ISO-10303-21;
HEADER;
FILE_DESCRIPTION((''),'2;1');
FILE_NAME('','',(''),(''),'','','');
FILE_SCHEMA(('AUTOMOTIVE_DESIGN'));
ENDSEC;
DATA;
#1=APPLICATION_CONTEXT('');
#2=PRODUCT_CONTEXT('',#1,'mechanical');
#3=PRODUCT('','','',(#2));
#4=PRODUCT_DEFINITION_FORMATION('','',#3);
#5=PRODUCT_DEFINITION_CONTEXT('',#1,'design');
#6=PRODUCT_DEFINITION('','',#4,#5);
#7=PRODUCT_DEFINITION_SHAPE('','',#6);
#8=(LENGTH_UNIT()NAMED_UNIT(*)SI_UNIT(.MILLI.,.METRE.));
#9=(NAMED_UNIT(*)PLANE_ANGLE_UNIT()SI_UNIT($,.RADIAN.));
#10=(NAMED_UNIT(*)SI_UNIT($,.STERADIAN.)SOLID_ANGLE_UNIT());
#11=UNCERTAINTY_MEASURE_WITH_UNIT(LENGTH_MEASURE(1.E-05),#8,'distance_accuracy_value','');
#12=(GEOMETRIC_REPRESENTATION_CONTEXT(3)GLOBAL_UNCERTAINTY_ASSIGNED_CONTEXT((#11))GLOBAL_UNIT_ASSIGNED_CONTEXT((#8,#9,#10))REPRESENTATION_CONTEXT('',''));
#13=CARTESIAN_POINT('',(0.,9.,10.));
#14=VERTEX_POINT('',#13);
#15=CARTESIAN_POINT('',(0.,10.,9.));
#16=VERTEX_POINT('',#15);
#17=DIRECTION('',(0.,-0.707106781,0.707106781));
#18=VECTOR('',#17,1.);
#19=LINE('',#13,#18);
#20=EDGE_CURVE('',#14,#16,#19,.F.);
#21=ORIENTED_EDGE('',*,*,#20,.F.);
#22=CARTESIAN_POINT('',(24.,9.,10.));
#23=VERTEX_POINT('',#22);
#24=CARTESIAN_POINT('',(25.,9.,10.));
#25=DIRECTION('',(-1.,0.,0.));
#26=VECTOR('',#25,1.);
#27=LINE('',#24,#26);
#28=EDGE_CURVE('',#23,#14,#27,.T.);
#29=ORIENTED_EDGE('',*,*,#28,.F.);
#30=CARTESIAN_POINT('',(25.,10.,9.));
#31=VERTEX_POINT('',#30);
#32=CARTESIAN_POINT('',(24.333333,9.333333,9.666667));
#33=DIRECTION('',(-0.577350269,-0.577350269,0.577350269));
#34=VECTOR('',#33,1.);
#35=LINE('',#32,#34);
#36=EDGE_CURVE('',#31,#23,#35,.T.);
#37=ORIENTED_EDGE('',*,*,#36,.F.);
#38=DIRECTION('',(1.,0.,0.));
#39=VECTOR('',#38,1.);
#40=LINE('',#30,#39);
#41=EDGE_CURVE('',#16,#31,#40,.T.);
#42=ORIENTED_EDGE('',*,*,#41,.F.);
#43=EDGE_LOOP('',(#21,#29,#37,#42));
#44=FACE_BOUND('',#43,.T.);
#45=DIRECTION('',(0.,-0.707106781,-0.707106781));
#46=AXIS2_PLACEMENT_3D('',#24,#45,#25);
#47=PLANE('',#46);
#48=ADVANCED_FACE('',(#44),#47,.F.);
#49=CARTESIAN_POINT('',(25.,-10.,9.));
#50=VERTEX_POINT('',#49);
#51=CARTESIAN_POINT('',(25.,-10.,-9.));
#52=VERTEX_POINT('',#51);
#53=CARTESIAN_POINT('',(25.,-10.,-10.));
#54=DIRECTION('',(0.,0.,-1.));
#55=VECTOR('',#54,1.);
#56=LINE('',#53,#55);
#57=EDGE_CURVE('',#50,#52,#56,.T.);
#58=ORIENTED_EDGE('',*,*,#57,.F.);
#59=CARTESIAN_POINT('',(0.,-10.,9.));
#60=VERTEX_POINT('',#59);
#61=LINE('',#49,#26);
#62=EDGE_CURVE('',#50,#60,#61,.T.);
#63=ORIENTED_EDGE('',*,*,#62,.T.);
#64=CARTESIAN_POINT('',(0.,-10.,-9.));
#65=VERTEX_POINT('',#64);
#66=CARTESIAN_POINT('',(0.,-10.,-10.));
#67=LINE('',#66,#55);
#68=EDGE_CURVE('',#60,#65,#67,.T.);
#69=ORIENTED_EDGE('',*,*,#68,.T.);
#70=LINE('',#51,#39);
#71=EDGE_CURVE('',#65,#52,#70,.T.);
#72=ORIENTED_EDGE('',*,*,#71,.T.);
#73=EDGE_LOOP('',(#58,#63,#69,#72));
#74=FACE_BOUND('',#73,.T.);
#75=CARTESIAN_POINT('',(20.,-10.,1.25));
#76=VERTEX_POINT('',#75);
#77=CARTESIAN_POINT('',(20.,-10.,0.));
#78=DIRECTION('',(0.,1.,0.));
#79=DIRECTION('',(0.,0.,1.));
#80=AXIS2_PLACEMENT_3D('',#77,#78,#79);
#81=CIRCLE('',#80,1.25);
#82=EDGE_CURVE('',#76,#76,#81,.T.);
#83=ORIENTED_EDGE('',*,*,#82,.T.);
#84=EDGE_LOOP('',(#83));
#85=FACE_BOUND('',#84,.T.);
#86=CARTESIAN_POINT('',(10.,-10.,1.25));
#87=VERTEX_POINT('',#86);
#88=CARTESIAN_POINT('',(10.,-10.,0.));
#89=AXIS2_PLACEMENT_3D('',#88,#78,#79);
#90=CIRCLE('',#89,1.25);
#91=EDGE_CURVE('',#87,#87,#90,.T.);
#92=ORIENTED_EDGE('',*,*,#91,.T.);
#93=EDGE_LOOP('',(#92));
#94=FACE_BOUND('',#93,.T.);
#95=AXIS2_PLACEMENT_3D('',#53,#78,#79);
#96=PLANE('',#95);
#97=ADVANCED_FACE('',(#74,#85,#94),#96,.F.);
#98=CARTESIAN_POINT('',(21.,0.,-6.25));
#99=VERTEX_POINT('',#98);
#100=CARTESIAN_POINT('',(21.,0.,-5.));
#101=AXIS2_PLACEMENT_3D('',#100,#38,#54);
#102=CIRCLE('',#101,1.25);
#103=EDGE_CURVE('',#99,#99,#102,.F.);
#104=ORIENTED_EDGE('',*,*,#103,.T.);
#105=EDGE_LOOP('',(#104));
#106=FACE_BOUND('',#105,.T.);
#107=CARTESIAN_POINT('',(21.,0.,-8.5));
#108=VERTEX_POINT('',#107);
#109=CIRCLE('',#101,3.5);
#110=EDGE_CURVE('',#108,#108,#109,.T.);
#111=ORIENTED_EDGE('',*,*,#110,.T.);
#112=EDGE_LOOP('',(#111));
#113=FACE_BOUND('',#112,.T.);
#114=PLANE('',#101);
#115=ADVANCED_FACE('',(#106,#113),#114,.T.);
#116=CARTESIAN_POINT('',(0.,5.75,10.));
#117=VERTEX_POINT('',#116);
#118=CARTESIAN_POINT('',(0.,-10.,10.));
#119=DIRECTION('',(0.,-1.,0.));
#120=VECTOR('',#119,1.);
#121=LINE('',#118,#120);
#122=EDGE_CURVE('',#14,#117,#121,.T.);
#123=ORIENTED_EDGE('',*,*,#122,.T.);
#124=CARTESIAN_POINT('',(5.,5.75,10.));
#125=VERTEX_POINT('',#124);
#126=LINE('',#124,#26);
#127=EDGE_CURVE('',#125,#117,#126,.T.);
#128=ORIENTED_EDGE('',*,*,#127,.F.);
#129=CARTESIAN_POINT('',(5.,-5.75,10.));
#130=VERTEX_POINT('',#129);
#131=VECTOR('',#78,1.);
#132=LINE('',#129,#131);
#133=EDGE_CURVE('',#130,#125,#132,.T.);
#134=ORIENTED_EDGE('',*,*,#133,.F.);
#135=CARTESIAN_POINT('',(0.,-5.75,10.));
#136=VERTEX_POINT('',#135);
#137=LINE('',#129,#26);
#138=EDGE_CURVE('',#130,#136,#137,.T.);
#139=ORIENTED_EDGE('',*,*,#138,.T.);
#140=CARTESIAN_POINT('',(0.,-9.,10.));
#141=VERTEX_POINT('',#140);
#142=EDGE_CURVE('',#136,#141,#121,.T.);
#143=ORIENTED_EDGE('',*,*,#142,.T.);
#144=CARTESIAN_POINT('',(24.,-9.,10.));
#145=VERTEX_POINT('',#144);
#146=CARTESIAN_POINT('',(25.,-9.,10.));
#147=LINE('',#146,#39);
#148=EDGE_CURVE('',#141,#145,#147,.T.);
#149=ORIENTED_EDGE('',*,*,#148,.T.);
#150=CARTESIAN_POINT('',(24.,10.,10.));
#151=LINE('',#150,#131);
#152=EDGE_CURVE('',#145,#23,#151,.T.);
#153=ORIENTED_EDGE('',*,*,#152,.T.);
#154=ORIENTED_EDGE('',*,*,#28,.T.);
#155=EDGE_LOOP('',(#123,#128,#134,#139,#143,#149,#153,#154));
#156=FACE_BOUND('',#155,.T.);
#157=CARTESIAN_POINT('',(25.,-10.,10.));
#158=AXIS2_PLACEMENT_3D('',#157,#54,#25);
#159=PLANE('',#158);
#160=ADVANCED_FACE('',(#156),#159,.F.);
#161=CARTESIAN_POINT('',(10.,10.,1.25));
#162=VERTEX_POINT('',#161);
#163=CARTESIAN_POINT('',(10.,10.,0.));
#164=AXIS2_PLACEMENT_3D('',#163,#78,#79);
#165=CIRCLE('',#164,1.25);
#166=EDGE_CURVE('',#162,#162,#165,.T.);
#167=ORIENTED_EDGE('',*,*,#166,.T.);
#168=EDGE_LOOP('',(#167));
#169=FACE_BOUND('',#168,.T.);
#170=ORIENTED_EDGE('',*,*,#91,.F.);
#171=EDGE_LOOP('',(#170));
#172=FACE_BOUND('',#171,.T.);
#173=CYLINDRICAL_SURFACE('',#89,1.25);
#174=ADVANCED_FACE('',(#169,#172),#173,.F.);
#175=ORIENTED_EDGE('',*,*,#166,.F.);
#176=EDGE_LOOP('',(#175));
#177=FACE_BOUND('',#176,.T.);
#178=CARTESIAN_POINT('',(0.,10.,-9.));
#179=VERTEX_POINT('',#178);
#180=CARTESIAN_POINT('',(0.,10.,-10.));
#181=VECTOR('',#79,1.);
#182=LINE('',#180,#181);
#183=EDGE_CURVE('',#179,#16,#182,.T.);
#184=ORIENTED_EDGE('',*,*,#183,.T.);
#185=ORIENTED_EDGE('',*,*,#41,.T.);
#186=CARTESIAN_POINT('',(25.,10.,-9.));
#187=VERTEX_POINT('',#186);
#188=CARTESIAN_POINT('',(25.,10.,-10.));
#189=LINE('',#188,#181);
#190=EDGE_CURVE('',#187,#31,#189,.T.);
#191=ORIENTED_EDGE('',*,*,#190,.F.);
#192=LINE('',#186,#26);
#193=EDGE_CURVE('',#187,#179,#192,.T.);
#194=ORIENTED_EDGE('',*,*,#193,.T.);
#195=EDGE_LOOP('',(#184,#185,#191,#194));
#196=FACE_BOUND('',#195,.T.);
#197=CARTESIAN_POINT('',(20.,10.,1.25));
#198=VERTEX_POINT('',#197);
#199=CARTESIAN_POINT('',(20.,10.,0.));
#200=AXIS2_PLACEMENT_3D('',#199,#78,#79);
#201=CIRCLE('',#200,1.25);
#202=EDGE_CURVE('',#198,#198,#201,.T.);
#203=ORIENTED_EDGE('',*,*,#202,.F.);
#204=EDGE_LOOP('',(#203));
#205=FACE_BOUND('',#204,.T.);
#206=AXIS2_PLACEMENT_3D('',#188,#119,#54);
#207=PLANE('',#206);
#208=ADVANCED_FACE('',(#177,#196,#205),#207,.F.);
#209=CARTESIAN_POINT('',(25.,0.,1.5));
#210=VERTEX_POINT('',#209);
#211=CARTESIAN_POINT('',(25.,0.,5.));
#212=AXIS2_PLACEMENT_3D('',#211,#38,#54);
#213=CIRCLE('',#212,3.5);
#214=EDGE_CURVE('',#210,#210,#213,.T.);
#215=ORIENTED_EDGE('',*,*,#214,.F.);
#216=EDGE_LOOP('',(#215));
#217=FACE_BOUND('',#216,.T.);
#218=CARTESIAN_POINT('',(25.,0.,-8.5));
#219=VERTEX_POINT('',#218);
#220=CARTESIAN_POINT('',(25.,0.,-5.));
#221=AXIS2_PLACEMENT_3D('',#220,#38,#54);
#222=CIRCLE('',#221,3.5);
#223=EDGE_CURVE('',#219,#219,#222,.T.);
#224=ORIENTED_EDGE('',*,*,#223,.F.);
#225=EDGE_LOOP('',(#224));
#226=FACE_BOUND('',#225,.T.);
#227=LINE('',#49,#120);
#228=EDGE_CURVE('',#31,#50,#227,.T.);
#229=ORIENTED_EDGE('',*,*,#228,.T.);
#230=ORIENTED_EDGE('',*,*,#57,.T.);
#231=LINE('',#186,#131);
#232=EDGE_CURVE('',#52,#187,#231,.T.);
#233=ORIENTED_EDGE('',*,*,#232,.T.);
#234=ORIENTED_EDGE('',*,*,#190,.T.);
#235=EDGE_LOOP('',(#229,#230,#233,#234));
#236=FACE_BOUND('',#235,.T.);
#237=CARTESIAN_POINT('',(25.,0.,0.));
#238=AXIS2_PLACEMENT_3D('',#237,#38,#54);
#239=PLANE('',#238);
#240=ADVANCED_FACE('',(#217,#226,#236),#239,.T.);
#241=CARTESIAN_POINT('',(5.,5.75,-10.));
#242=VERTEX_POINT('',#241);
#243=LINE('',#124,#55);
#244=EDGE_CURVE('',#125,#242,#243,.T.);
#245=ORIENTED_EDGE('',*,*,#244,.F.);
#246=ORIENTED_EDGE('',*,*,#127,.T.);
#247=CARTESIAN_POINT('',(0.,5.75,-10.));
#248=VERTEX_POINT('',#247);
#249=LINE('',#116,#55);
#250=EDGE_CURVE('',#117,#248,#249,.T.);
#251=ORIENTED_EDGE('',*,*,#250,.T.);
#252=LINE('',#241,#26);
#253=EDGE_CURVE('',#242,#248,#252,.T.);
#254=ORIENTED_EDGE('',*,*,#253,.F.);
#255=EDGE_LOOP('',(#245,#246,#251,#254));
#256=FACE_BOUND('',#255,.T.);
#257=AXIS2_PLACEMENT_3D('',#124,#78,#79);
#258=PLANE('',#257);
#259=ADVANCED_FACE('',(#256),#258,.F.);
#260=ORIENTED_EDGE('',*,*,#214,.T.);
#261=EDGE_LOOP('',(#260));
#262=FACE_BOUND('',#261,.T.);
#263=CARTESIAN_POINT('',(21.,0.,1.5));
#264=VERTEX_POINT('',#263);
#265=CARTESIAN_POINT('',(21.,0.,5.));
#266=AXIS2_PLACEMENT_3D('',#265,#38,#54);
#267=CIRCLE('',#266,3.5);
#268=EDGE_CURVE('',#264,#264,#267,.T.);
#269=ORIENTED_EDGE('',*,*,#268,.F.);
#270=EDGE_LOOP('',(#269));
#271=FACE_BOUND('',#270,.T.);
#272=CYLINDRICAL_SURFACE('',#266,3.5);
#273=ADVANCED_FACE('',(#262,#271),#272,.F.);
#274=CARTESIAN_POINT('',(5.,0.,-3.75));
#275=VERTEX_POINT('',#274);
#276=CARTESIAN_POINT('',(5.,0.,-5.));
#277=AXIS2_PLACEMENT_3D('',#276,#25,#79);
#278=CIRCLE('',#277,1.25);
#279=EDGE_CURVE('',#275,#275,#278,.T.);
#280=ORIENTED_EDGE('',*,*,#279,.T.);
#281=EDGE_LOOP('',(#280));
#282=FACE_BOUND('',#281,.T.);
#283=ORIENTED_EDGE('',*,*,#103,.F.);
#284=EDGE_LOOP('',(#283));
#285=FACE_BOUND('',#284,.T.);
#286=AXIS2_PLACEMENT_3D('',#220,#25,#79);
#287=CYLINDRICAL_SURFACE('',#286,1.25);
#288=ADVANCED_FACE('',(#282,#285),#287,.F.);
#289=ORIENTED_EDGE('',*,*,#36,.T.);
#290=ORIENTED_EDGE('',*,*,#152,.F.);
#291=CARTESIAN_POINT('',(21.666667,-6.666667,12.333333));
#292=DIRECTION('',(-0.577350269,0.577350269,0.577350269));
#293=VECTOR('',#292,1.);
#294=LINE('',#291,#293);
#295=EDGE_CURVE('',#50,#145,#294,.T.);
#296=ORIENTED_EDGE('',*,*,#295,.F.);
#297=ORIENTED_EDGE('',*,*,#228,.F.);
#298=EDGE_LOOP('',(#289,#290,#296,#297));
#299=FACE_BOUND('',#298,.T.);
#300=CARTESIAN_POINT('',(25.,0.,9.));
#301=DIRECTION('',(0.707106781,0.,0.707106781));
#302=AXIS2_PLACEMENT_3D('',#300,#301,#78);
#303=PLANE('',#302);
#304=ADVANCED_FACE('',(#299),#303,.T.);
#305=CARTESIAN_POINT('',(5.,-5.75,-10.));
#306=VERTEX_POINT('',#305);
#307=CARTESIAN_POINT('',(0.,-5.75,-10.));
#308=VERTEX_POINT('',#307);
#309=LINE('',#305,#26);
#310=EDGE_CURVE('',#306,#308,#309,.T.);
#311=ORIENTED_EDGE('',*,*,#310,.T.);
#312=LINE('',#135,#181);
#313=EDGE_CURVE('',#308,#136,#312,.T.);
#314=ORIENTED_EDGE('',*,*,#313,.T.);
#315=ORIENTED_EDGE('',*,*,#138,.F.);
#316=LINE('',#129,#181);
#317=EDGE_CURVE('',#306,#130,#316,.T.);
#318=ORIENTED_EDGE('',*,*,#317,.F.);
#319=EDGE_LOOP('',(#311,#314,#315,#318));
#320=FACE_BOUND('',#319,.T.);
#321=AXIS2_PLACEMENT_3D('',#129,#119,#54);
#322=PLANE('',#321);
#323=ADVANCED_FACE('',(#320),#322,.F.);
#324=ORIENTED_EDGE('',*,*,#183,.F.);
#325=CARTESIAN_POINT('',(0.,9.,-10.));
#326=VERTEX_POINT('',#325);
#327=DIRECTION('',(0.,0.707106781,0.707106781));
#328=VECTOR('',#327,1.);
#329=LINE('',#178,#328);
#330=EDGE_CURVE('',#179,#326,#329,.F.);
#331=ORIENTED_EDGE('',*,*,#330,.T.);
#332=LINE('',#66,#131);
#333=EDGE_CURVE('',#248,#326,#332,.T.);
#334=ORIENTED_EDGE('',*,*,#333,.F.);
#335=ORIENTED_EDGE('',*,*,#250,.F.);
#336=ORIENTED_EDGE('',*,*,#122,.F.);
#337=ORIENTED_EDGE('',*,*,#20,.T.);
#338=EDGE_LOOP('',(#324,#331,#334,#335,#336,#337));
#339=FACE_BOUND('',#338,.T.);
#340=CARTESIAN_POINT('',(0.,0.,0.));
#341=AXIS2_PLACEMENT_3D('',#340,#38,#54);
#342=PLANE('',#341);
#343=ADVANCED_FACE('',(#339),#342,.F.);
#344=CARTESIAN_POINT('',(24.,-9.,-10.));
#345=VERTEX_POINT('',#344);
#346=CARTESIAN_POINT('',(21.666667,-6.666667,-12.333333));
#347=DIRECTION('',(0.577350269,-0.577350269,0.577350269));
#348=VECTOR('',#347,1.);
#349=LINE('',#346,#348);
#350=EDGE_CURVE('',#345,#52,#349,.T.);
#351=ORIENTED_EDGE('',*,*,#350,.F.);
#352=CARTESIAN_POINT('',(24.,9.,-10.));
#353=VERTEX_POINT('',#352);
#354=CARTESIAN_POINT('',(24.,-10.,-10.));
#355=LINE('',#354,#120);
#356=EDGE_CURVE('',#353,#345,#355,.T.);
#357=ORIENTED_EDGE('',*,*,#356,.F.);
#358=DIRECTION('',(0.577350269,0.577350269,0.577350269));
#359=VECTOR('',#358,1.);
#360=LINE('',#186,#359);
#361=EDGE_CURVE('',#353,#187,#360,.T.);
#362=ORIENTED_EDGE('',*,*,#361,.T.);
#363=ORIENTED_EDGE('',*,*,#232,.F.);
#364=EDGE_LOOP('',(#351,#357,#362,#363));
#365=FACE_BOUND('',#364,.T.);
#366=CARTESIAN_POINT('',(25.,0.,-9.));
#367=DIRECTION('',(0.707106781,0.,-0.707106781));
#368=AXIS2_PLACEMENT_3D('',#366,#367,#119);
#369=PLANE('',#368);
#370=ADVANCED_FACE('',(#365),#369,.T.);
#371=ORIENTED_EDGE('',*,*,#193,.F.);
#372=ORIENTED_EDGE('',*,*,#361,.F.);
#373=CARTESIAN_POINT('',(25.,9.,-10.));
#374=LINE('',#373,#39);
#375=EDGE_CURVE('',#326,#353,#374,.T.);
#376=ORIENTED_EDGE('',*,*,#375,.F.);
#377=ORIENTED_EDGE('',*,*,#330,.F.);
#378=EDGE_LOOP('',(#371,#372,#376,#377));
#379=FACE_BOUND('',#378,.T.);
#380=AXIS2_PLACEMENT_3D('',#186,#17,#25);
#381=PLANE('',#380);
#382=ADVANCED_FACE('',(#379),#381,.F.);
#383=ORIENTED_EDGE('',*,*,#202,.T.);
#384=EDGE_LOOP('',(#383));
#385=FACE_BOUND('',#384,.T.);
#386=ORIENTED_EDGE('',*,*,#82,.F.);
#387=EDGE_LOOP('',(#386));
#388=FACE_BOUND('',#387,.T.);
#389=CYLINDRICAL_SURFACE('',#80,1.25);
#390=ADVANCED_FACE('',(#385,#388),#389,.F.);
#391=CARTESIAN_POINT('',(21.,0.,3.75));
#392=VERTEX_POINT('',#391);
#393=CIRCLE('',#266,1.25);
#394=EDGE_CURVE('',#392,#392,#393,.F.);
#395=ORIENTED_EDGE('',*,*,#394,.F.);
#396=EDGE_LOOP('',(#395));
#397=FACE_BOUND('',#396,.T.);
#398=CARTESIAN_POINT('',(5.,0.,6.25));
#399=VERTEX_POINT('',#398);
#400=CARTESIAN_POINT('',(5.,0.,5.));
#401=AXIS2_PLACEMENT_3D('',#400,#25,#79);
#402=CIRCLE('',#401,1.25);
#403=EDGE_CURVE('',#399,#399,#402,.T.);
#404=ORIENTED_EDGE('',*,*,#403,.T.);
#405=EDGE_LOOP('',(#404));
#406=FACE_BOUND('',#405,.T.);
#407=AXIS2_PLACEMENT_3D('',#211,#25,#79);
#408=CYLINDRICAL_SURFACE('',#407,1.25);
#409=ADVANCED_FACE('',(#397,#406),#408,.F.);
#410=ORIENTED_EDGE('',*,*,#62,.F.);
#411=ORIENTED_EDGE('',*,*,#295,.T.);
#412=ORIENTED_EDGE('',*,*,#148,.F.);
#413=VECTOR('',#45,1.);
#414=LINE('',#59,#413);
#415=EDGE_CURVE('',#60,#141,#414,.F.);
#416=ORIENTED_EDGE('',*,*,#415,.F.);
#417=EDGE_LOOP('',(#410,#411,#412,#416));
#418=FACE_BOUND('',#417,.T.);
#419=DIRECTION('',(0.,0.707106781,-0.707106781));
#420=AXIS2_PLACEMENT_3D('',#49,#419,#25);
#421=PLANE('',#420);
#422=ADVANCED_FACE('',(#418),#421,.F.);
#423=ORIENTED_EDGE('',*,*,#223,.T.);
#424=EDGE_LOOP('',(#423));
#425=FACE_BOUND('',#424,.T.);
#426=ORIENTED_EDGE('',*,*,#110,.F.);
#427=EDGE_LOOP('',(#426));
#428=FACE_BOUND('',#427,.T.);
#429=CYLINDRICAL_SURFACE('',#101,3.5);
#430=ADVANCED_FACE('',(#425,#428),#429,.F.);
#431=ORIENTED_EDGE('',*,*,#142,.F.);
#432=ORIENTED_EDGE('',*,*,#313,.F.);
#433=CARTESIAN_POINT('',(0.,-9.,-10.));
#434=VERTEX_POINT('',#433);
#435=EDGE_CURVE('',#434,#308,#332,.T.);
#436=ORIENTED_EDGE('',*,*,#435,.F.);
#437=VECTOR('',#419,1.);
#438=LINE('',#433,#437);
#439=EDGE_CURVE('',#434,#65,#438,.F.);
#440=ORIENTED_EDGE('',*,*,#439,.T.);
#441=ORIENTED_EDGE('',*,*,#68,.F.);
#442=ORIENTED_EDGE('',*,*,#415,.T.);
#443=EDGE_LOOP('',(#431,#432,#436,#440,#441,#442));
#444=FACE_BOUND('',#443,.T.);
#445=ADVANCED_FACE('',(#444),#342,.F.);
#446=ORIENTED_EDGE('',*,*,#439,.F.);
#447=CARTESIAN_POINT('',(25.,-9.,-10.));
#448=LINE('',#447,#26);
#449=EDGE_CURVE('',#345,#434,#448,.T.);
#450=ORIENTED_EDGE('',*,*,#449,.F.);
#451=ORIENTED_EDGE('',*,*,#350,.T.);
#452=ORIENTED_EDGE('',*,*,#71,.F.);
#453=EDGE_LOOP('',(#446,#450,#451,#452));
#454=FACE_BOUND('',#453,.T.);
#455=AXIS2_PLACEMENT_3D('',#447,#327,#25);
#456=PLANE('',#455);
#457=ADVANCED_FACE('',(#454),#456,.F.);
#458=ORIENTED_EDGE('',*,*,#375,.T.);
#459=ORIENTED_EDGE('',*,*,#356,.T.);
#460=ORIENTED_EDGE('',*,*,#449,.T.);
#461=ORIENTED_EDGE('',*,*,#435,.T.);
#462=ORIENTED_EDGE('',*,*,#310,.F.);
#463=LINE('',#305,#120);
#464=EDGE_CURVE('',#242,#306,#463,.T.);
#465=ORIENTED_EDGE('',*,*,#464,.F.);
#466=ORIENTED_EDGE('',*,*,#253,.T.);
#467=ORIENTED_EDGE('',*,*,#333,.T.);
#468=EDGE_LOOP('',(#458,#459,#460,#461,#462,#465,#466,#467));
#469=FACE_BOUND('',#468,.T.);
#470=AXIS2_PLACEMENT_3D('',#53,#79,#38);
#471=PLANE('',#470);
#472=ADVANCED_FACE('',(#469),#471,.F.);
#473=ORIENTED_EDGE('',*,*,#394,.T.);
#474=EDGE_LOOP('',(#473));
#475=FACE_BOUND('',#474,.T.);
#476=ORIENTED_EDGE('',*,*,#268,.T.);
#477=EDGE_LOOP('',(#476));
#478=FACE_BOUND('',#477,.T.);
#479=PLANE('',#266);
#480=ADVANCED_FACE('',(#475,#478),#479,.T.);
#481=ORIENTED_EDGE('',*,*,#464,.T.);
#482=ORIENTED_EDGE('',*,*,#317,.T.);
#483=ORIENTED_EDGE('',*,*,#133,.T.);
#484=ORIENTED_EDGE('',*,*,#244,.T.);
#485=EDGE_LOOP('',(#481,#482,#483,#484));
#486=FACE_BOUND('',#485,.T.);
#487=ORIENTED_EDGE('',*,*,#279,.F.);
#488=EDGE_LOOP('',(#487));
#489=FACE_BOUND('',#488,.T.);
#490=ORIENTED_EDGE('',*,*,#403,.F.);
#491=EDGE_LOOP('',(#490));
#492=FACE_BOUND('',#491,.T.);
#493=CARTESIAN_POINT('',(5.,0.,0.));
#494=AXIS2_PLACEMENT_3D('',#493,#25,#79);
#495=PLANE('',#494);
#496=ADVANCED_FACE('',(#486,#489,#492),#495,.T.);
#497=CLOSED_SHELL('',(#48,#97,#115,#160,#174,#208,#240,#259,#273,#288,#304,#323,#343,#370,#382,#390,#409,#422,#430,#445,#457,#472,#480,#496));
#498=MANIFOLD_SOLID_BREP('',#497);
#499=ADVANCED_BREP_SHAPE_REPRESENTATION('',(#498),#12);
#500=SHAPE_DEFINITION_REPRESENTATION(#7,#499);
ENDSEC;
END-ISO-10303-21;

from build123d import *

# Parameters (mm, degrees)
SKETCH_1_W          = 20
SKETCH_1_H          = 20
EXTRUDE_1_DEPTH     = 25
SKETCH_2_W          = 20
SKETCH_2_H          = 11.5
CUT_EXTRUDE_1_DEPTH = 5
SKETCH_3_R          = 1.25
CUT_EXTRUDE_2_DEPTH = 25.494897428
SKETCH_4_R          = 1.25
CUT_EXTRUDE_3_DEPTH = 34.541019662
CHAMFER_1_SIZE      = 1
SKETCH_6_R          = 3.5
CUT_EXTRUDE_4_DEPTH = 4


with BuildPart() as part:
    # 草图1 → 凸台-拉伸1 (new body)
    with BuildSketch(Plane(origin=(0, 0, 0), x_dir=(0, 0, -1), z_dir=(1, 0, 0))):
        Rectangle(SKETCH_1_W, SKETCH_1_H)
    extrude(amount=EXTRUDE_1_DEPTH)

    # 草图2 → 切除-拉伸1 (cut)
    with BuildSketch(Plane.ZY):
        Rectangle(SKETCH_2_W, SKETCH_2_H)
    extrude(amount=-CUT_EXTRUDE_1_DEPTH, mode=Mode.SUBTRACT)

    # 草图3 → 切除-拉伸2 (cut, through all)
    with BuildSketch(Plane.ZY.offset(-5)):
        with Locations((-5, 0)):
            Circle(SKETCH_3_R)
        with Locations((5, 0)):
            Circle(SKETCH_3_R)
    extrude(amount=-CUT_EXTRUDE_2_DEPTH, mode=Mode.SUBTRACT)

    # 草图4 → 切除-拉伸3 (cut, through all)
    with BuildSketch(Plane(origin=(0, 10, 0), x_dir=(1, 0, 0), z_dir=(0, 1, 0))):
        with Locations(Location((20, 0, 0), (0, 0, 270))):
            Circle(SKETCH_4_R)
        with Locations(Location((10, 0, 0), (0, 0, 270))):
            Circle(SKETCH_4_R)
    extrude(amount=-CUT_EXTRUDE_3_DEPTH, mode=Mode.SUBTRACT)

    # 倒角1
    chamfer_1_edges = [part.edges().sort_by_distance(p)[0] for p in [
        (25, 0, -10),
        (25, 0, 10),
        (12.5, 10, 10),
        (12.5, 10, -10),
        (12.5, -10, -10),
        (12.5, -10, 10),
    ]]
    chamfer(chamfer_1_edges, length=CHAMFER_1_SIZE)

    # 草图6 → 切除-拉伸4 (cut)
    with BuildSketch(Plane(origin=(25, 0, 0), x_dir=(0, 0, -1), z_dir=(1, 0, 0))):
        with Locations((-5, 0)):
            Circle(SKETCH_6_R)
        with Locations((5, 0)):
            Circle(SKETCH_6_R)
    extrude(amount=-CUT_EXTRUDE_4_DEPTH, mode=Mode.SUBTRACT)


solid = part.part
